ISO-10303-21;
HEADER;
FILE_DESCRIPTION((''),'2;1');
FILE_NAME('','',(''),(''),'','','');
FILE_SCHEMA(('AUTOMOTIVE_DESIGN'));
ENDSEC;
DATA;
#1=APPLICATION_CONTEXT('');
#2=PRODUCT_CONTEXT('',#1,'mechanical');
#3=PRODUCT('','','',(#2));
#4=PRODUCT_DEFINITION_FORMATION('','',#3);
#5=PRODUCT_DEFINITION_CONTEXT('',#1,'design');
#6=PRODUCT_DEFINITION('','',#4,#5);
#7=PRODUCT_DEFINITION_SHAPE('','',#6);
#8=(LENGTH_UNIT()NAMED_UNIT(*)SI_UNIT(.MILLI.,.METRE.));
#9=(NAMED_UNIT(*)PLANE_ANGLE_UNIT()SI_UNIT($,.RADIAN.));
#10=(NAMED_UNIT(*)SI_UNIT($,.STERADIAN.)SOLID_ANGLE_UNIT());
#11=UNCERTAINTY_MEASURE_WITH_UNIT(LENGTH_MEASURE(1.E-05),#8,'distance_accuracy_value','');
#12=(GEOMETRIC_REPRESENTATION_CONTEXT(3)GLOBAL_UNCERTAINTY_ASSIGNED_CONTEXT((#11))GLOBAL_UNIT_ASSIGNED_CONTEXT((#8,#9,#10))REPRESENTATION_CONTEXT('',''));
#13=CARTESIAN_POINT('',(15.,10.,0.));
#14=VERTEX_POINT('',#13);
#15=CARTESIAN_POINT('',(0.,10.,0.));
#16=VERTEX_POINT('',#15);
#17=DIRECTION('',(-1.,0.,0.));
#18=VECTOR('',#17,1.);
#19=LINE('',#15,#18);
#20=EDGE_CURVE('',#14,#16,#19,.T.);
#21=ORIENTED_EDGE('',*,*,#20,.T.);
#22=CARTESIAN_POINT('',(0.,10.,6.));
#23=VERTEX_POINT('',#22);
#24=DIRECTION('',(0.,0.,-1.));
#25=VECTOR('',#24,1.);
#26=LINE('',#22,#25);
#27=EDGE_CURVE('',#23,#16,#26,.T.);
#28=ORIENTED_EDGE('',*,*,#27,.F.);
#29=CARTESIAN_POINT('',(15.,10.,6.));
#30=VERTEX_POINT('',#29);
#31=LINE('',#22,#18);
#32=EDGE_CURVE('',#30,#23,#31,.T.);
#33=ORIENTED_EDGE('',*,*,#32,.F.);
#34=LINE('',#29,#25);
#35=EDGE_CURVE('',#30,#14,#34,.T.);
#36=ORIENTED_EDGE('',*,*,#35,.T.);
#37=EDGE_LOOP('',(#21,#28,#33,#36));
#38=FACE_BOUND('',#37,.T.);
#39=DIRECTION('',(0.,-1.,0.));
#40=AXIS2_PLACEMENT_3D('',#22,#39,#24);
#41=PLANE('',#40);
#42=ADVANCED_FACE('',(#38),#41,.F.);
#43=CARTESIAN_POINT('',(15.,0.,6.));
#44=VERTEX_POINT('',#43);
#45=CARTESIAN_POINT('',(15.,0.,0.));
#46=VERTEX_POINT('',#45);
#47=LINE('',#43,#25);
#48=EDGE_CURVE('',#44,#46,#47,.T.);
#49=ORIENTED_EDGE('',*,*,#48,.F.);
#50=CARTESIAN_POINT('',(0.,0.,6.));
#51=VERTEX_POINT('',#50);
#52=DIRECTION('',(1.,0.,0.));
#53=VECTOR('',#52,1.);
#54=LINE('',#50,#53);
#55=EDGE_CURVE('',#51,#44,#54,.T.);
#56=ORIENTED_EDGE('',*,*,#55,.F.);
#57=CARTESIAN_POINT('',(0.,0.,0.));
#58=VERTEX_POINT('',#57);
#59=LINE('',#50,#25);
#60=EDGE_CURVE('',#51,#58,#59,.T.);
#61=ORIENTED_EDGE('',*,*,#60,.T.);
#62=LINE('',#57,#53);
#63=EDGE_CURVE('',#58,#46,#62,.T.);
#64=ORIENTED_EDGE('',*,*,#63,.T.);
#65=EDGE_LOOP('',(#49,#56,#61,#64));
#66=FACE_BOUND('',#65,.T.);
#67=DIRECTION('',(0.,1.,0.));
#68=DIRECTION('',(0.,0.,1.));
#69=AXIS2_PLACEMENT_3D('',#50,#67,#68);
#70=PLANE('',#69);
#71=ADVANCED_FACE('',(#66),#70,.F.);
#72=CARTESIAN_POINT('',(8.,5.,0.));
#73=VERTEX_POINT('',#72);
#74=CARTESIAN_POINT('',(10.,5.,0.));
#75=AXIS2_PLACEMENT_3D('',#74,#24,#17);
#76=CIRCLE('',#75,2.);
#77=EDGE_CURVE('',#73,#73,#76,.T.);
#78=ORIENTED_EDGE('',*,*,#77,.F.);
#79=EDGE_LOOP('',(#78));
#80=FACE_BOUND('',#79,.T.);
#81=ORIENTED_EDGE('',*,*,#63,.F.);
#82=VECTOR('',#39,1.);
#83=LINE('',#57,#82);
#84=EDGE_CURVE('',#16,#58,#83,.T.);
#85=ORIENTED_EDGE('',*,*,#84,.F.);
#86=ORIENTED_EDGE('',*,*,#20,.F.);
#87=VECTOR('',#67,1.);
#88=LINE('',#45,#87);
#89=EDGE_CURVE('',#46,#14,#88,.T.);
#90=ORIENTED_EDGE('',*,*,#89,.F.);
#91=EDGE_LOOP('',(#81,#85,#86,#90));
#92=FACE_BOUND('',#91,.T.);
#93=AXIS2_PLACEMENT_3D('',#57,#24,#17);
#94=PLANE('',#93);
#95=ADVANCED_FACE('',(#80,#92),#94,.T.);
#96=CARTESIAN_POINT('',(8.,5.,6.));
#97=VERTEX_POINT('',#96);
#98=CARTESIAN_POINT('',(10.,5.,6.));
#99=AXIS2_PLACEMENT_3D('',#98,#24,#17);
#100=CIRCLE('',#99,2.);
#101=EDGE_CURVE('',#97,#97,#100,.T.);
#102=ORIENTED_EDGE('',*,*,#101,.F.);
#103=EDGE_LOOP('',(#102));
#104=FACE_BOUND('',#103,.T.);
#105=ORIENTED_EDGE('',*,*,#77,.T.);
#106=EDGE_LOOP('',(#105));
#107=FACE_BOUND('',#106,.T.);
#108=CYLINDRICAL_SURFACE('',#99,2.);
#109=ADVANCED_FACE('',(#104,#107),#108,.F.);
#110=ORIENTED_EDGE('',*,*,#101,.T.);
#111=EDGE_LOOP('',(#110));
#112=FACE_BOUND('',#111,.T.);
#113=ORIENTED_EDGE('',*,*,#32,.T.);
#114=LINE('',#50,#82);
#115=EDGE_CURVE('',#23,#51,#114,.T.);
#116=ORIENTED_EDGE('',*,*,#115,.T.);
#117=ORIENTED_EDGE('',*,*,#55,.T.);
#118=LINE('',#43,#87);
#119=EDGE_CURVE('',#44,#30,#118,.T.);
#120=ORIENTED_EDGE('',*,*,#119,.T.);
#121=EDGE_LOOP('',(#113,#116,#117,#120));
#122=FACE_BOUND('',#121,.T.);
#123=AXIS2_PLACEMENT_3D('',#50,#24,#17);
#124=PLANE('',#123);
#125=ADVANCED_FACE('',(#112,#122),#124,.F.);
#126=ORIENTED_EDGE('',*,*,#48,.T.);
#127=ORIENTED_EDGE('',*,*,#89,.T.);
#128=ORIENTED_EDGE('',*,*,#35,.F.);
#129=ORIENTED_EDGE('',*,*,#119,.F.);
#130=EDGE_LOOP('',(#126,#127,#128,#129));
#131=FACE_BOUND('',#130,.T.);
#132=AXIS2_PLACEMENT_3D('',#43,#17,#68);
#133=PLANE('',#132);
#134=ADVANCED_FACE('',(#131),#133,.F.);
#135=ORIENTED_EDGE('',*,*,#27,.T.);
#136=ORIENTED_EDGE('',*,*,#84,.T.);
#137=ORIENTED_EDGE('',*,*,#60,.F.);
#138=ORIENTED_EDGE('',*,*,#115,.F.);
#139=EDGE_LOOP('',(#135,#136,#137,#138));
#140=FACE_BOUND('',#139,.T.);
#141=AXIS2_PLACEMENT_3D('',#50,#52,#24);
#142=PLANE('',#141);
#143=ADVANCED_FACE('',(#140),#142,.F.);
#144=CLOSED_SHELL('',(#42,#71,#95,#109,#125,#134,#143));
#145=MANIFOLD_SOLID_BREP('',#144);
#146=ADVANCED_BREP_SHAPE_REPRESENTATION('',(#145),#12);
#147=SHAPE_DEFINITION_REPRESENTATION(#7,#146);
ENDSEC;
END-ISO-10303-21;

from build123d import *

# Parameters (mm, degrees)
SKETCH1_W           = 15
SKETCH1_H           = 10
BOSS_EXTRUDE1_DEPTH = 6
SKETCH2_R           = 2
CUT_EXTRUDE1_DEPTH  = 6


with BuildPart() as part:
    # Sketch1 → Boss-Extrude1 (new body)
    with BuildSketch(Plane.XY):
        with Locations((7.5, 5)):
            Rectangle(SKETCH1_W, SKETCH1_H)
    extrude(amount=BOSS_EXTRUDE1_DEPTH)

    # Sketch2 → Cut-Extrude1 (cut)
    with BuildSketch(Plane(origin=(0, 0, 0), x_dir=(-1, 0, 0), z_dir=(0, 0, -1))):
        with Locations((-10, 5)):
            Circle(SKETCH2_R)
    extrude(amount=-CUT_EXTRUDE1_DEPTH, mode=Mode.SUBTRACT)


solid = part.part
